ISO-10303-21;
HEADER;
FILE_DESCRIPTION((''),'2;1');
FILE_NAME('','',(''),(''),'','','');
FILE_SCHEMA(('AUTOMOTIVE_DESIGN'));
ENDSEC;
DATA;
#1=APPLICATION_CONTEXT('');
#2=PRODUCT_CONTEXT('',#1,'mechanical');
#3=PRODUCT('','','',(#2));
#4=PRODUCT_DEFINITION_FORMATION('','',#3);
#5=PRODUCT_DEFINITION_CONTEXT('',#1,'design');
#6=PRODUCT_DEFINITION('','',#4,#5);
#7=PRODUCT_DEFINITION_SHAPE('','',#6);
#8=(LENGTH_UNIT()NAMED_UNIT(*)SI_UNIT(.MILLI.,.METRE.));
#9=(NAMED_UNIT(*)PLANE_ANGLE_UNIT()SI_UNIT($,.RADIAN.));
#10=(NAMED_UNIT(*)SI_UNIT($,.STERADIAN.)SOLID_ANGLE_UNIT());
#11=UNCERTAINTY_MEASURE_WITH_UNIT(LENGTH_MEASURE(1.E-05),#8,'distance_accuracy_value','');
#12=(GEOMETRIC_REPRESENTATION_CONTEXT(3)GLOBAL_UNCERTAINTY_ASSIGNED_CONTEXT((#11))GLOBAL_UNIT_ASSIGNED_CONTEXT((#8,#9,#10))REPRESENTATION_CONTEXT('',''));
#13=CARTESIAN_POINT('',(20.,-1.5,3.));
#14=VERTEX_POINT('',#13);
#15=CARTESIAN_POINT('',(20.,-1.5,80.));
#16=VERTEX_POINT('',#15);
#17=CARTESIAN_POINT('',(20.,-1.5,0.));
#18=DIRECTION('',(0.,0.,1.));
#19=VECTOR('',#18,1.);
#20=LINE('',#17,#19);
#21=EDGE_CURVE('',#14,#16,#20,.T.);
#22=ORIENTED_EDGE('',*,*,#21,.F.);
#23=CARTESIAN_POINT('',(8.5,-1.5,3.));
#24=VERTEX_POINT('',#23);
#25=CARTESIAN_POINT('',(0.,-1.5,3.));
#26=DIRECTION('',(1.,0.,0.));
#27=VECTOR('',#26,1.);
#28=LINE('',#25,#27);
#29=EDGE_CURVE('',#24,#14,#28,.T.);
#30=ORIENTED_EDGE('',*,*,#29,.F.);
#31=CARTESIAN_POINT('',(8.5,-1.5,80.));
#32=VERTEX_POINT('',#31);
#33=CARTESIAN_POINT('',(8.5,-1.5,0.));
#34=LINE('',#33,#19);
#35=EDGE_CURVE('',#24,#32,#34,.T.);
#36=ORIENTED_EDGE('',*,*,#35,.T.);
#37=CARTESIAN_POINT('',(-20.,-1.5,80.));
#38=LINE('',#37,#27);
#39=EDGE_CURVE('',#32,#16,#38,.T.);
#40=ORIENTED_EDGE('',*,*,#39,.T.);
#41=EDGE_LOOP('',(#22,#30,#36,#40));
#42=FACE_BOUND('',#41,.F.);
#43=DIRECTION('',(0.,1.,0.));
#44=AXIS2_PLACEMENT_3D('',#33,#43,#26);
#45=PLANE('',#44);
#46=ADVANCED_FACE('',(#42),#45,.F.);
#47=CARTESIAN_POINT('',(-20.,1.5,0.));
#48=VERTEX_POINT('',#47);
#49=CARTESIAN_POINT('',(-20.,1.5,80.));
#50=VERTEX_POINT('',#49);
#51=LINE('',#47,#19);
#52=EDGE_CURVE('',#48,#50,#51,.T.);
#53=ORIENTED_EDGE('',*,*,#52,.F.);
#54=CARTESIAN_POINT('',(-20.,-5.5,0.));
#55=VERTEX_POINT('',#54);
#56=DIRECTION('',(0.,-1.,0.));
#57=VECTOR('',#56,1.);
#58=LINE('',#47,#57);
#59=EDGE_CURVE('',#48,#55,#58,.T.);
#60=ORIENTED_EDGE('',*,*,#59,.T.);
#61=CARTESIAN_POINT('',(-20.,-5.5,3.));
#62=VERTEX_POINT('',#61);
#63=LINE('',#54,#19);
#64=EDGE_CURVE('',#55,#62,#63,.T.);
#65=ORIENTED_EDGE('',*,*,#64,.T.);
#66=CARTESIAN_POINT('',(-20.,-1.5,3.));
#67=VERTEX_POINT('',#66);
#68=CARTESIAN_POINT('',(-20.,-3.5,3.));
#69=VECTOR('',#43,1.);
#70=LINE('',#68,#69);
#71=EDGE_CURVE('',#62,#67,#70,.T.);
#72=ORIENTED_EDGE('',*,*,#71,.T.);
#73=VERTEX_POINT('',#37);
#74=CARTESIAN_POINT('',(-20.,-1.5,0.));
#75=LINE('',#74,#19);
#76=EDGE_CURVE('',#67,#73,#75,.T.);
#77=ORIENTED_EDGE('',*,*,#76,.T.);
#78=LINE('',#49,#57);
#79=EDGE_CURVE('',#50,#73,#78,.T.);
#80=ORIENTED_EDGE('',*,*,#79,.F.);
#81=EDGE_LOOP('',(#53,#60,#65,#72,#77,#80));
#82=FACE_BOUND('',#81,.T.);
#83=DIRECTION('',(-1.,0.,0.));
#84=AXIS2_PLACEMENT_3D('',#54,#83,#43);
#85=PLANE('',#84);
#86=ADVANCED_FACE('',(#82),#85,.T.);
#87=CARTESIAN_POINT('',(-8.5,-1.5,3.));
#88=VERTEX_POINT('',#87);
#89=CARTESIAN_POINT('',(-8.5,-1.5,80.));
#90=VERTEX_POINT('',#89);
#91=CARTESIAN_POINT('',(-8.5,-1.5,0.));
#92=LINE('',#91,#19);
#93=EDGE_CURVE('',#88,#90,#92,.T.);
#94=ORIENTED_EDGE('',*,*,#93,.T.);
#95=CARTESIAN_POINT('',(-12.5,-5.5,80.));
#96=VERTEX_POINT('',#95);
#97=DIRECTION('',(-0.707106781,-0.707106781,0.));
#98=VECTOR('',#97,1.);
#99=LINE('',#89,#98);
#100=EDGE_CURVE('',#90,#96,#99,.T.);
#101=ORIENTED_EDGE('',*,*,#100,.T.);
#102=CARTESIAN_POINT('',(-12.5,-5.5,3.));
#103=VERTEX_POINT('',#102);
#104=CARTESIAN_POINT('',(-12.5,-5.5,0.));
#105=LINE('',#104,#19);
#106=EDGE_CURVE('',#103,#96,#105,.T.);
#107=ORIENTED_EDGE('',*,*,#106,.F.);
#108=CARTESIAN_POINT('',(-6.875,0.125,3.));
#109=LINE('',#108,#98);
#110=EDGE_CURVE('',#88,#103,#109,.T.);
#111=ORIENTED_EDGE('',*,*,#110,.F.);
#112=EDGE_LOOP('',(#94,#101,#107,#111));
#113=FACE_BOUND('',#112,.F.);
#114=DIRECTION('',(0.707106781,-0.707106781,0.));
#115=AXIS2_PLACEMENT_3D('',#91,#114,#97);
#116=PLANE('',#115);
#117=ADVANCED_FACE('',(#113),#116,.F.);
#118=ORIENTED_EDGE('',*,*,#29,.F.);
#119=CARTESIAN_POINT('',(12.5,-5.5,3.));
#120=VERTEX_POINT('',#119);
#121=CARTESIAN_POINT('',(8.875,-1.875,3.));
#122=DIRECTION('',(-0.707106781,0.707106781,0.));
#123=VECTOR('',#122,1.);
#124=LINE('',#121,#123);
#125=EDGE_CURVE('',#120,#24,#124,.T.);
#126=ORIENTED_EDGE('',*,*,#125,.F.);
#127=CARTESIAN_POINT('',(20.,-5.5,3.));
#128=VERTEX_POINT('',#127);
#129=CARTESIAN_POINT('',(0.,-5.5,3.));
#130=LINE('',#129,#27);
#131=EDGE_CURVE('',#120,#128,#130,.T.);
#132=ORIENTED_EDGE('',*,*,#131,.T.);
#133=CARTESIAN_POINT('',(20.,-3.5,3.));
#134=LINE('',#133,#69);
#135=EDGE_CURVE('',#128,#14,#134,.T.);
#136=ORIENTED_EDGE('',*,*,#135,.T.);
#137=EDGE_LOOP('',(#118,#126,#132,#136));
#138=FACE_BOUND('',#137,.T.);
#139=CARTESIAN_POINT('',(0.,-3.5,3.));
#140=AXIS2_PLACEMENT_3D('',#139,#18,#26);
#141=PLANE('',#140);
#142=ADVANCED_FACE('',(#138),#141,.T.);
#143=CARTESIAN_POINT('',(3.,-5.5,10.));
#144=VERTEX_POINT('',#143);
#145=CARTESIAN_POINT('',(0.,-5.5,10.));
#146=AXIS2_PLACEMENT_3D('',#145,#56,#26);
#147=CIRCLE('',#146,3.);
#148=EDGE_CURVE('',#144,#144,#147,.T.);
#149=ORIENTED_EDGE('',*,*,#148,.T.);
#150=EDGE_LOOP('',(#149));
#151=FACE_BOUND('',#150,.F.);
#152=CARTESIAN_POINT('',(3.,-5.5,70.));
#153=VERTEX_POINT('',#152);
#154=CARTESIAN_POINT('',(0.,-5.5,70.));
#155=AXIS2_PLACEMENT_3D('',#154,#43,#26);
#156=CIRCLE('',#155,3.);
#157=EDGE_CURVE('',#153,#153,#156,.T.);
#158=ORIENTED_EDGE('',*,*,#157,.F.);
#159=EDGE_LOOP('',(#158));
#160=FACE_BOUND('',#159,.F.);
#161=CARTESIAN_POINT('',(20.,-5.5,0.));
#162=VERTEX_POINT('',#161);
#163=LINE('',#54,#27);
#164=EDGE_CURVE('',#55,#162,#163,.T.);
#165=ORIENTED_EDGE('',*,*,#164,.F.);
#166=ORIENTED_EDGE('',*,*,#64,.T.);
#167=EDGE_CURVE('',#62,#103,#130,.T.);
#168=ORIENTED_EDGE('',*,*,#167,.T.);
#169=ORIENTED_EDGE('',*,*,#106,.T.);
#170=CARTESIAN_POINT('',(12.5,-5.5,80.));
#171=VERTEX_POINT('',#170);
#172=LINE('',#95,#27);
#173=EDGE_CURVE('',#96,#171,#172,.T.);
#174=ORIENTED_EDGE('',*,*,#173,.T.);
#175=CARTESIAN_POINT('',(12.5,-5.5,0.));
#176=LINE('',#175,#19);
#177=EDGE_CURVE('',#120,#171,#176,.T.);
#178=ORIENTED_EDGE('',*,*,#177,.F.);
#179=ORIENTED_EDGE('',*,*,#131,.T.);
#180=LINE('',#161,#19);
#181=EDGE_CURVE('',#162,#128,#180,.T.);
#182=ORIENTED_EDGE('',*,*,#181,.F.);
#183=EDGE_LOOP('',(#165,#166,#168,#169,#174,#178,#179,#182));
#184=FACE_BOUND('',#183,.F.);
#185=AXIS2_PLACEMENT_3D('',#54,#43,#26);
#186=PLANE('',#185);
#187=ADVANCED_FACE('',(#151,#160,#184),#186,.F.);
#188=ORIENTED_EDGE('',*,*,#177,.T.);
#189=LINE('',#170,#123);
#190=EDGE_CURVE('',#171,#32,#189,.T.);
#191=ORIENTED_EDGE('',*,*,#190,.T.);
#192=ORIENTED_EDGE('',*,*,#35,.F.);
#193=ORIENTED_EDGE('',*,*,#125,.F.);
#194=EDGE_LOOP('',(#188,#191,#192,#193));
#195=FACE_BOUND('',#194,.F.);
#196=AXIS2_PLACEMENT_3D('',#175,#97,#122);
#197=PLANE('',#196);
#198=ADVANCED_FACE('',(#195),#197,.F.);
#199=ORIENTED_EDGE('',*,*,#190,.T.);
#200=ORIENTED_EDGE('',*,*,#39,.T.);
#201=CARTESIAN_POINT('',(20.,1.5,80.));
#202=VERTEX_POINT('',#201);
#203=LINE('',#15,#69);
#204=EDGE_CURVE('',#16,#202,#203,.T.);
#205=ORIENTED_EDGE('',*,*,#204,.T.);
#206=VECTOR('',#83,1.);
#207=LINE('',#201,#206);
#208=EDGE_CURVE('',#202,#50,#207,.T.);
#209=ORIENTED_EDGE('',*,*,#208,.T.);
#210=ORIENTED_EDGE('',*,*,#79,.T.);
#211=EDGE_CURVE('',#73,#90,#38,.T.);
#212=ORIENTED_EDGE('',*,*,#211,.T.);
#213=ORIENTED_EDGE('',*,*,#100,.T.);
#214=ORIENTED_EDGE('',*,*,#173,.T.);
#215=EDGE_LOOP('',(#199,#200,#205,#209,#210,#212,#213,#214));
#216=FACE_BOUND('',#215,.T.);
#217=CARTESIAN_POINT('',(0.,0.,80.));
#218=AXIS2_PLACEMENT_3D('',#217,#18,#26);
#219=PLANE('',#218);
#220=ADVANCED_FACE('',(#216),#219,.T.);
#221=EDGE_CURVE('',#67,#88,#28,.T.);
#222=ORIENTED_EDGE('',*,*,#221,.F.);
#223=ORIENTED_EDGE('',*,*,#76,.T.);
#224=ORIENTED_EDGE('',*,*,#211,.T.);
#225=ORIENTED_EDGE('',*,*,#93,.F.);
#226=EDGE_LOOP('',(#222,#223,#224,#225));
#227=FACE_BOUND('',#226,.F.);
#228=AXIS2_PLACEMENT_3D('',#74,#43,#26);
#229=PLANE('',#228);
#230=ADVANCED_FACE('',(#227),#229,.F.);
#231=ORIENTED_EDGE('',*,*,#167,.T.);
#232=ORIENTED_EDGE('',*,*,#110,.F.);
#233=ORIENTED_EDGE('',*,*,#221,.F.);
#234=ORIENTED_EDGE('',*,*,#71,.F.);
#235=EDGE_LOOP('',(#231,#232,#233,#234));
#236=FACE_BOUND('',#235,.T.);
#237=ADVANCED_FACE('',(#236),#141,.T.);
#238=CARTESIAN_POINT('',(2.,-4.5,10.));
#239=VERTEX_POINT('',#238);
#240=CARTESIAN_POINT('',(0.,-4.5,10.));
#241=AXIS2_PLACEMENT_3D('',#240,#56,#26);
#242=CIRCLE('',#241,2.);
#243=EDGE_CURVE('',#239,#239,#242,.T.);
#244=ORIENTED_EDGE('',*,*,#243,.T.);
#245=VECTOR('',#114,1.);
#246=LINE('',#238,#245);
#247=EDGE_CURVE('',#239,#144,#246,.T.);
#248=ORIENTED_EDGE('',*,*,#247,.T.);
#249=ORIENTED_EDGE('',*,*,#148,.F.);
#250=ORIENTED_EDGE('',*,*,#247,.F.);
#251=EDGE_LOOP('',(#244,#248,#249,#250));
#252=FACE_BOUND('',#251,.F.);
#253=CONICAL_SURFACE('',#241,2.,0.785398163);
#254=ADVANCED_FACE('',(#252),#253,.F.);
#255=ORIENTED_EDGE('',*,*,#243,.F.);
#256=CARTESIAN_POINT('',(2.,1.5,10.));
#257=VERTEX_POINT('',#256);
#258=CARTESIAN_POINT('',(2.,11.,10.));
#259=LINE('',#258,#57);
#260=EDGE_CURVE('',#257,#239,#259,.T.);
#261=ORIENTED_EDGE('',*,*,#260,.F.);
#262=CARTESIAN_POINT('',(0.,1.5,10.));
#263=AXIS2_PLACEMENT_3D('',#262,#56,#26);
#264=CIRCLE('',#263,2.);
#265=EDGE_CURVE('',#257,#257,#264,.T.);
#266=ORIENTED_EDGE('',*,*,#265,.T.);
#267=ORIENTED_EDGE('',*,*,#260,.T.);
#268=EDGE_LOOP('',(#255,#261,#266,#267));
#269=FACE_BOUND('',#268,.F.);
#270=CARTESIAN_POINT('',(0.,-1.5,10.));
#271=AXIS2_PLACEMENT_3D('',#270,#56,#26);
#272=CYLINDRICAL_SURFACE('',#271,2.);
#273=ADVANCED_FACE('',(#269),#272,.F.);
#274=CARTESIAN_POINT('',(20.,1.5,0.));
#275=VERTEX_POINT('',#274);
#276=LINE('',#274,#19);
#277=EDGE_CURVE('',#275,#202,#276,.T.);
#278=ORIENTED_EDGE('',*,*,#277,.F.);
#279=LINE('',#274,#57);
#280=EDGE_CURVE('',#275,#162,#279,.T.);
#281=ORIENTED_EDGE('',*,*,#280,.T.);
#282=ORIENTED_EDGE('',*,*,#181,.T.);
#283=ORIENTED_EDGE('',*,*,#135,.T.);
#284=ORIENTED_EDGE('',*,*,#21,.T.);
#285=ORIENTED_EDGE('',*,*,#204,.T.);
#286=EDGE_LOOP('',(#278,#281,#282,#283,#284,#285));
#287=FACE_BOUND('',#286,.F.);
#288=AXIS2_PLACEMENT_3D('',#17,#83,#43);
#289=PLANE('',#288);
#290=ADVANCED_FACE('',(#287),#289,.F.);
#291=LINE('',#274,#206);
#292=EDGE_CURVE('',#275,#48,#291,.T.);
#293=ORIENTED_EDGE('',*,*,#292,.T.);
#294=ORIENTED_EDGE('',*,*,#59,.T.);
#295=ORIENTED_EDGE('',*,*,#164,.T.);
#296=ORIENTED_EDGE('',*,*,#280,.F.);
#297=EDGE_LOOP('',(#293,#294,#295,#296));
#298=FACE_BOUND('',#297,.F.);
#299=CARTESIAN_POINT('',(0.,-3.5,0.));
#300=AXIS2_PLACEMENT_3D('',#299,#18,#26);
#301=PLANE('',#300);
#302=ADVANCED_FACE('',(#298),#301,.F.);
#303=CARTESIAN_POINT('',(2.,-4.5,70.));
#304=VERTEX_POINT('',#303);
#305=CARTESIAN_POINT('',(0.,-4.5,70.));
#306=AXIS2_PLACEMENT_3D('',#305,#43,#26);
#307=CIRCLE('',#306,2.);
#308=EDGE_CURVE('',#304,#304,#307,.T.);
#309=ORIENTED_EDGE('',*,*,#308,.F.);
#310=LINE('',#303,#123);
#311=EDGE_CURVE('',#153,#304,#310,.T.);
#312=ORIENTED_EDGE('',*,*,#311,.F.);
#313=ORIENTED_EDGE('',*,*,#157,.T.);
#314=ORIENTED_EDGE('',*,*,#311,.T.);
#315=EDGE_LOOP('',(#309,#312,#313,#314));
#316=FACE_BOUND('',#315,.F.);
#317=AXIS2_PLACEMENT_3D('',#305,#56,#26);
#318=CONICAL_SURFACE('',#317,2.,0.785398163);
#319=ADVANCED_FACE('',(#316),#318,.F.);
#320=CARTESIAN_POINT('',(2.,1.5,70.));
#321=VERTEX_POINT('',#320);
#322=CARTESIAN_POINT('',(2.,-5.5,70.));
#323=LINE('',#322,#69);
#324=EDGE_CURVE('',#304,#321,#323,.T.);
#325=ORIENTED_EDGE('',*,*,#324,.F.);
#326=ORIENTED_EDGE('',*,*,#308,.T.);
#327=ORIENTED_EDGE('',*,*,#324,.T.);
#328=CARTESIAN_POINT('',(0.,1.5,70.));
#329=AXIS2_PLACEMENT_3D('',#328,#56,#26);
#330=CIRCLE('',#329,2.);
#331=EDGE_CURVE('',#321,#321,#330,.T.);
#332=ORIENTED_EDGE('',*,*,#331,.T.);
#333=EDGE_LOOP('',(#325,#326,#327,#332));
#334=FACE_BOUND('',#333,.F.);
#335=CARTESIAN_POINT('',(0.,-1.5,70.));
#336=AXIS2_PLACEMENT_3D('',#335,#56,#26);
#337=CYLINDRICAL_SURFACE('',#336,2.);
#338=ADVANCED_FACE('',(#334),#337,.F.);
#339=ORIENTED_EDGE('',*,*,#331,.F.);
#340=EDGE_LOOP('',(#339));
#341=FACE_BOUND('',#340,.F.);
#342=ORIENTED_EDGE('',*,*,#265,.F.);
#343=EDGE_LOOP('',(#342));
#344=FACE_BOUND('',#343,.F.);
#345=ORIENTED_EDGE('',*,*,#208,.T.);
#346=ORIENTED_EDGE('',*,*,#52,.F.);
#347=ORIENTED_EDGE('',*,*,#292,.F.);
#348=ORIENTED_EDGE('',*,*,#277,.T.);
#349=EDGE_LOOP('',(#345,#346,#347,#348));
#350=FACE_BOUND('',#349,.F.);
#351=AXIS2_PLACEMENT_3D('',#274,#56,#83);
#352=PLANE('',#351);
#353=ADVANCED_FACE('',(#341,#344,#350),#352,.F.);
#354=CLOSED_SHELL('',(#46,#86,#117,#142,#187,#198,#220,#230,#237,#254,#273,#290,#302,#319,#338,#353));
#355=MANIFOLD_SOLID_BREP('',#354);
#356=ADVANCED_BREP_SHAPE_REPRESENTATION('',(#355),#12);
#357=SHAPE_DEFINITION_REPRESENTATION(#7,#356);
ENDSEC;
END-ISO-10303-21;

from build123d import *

# Parameters (mm, degrees)
F1_DEPTH = 80
F2_R     = 2
F3_DEPTH = 12.5
F4_SIZE  = 1
F5_W     = 40
F5_H     = 4
F6_DEPTH = 3


with BuildPart() as f1:
    # F0 (on Top) → F1 (new body)
    with BuildSketch(Plane.XY):
        Polygon((20, 1.5), (-20, 1.5), (-20, -1.5), (-8.5, -1.5), (8.5, -1.5), (20, -1.5), align=None)
        Polygon((8.5, -1.5), (-8.5, -1.5), (-12.5, -5.5), (12.5, -5.5), align=None)
    extrude(amount=F1_DEPTH)

    # F2 (on face) → F3 (cut, symmetric)
    with BuildSketch(Plane.XZ.offset(1.5)):
        with Locations((0, 70)):
            Circle(F2_R)
        with Locations((0, 10)):
            Circle(F2_R)
    extrude(amount=F3_DEPTH, both=True, mode=Mode.SUBTRACT)

    # F4
    f4_edges = [f1.edges().sort_by_distance(p)[0] for p in [
        (-2, -5.5, 70),
        (-2, -5.5, 10),
    ]]
    chamfer(f4_edges, length=F4_SIZE)

    # F5 (on Top) → F6 (join)
    with BuildSketch(Plane.XY):
        with Locations((0, -3.5)):
            Rectangle(F5_W, F5_H)
    extrude(amount=F6_DEPTH)


solid = f1.part
